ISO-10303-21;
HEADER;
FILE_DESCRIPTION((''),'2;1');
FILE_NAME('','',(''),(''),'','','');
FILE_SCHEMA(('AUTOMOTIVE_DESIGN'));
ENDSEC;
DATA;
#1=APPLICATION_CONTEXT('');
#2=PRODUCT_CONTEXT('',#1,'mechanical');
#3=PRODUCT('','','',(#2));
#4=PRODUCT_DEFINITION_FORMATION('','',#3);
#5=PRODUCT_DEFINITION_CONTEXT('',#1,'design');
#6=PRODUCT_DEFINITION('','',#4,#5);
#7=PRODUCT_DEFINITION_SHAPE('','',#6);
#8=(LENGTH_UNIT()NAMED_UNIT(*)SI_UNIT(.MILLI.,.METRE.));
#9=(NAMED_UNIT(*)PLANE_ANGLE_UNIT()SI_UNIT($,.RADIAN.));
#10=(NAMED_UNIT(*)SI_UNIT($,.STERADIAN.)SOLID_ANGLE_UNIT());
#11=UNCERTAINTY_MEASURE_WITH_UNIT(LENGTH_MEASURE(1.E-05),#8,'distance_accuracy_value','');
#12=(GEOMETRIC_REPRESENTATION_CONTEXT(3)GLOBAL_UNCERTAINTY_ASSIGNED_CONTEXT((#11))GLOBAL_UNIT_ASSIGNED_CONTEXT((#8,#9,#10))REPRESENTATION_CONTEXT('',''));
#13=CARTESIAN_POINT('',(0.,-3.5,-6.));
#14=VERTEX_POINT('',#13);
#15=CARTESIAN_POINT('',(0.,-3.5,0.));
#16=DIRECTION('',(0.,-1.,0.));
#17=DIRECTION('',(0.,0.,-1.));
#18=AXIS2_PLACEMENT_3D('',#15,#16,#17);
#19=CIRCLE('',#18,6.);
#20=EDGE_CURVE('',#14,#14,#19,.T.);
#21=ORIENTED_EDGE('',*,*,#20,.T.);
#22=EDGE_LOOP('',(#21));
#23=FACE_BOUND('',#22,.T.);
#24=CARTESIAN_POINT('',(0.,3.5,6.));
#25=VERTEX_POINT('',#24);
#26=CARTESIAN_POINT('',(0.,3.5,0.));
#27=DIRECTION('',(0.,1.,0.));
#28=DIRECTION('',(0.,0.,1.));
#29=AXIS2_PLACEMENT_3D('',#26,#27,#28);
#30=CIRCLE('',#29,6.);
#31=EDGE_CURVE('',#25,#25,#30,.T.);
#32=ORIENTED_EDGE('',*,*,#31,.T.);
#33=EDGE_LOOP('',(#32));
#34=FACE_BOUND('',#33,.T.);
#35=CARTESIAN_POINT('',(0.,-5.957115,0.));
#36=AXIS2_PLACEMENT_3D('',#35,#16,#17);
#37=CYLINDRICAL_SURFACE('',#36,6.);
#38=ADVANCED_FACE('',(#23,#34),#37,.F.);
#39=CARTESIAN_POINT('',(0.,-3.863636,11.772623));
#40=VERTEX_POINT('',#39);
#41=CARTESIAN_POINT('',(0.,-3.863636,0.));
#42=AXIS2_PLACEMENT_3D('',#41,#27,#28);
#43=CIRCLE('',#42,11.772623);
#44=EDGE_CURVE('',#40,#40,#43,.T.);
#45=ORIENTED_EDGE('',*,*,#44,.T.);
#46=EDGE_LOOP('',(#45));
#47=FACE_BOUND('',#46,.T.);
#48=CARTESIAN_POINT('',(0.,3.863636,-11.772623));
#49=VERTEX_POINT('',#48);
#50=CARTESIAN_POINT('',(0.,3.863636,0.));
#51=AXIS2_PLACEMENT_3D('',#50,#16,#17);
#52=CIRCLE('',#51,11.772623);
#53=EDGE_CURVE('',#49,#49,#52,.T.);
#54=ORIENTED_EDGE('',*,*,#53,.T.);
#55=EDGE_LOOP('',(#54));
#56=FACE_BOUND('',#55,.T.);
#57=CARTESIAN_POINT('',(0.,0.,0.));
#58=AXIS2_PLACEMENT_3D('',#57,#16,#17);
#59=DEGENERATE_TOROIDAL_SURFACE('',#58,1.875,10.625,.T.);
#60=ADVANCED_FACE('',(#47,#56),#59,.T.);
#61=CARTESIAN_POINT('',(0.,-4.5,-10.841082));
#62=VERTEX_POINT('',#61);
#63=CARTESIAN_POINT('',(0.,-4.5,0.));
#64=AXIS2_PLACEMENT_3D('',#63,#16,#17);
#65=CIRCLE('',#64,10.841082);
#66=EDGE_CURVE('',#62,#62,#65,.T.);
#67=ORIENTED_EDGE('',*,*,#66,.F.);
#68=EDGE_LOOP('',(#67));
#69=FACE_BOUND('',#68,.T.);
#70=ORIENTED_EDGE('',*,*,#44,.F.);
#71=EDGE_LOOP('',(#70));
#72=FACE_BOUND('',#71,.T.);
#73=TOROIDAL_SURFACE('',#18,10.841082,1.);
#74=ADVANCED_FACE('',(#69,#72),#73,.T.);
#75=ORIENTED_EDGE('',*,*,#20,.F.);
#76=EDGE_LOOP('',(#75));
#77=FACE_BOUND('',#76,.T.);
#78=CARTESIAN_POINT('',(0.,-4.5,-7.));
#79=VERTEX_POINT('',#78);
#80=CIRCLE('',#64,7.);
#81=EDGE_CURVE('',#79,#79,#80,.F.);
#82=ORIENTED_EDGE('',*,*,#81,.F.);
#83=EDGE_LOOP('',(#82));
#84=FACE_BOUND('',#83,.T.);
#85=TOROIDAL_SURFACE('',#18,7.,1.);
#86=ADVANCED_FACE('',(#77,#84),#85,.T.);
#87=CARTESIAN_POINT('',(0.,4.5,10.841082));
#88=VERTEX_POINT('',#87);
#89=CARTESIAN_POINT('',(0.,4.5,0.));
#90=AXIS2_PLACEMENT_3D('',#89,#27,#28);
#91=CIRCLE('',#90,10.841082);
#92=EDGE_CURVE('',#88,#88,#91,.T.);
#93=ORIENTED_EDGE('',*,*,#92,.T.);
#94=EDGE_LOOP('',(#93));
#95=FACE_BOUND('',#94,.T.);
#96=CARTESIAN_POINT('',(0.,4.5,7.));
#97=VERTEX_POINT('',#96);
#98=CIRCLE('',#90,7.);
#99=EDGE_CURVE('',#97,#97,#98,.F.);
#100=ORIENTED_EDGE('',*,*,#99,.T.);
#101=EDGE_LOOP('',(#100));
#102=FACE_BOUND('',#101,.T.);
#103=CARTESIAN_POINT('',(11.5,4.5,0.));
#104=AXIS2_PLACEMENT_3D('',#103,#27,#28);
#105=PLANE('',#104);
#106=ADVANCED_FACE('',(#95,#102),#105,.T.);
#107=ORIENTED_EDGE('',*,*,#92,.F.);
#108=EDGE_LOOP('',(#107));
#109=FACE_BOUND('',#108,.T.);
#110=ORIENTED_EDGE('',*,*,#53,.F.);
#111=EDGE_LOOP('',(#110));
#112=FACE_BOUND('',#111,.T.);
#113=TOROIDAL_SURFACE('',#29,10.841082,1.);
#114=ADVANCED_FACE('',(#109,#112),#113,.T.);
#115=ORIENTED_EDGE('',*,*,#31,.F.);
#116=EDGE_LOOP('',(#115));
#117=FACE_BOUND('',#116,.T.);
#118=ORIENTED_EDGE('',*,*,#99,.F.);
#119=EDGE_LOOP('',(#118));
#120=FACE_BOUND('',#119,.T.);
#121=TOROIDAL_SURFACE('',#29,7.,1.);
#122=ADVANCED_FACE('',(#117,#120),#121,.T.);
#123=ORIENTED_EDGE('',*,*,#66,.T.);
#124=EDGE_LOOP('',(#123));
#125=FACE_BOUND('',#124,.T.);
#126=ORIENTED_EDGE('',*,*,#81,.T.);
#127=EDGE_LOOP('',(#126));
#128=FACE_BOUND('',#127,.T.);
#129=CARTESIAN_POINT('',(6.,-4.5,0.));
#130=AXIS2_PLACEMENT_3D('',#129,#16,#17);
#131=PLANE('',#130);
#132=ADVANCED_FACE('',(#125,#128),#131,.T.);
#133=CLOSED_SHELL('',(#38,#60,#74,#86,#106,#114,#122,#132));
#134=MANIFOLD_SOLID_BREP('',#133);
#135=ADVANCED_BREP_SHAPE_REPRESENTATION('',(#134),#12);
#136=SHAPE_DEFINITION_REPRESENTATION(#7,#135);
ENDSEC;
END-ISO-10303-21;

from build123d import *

# Parameters (mm, degrees)
FILLET1_R = 1


with BuildPart() as part:
    # Sketch1 → Revolve1 (revolve)
    with BuildSketch(Plane.XY):
        with BuildLine():
            Line((11.5, 4.5), (6, 4.5))
            Line((6, 4.5), (6, -4.5))
            Line((6, -4.5), (11.5, -4.5))
            ThreePointArc((11.5, -4.5), (12.5, 0), (11.5, 4.5))
        make_face()
    revolve(axis=Axis((0, -5.957115494, 0), (0, 1, 0)))

    # Fillet1
    fillet1_edges = [part.edges().sort_by_distance(p)[0] for p in [
        (-11.5, -4.5, 0),
        (-11.5, 4.5, 0),
        (-6, 4.5, 0),
        (-6, -4.5, 0),
    ]]
    fillet(fillet1_edges, radius=FILLET1_R)


solid = part.part
